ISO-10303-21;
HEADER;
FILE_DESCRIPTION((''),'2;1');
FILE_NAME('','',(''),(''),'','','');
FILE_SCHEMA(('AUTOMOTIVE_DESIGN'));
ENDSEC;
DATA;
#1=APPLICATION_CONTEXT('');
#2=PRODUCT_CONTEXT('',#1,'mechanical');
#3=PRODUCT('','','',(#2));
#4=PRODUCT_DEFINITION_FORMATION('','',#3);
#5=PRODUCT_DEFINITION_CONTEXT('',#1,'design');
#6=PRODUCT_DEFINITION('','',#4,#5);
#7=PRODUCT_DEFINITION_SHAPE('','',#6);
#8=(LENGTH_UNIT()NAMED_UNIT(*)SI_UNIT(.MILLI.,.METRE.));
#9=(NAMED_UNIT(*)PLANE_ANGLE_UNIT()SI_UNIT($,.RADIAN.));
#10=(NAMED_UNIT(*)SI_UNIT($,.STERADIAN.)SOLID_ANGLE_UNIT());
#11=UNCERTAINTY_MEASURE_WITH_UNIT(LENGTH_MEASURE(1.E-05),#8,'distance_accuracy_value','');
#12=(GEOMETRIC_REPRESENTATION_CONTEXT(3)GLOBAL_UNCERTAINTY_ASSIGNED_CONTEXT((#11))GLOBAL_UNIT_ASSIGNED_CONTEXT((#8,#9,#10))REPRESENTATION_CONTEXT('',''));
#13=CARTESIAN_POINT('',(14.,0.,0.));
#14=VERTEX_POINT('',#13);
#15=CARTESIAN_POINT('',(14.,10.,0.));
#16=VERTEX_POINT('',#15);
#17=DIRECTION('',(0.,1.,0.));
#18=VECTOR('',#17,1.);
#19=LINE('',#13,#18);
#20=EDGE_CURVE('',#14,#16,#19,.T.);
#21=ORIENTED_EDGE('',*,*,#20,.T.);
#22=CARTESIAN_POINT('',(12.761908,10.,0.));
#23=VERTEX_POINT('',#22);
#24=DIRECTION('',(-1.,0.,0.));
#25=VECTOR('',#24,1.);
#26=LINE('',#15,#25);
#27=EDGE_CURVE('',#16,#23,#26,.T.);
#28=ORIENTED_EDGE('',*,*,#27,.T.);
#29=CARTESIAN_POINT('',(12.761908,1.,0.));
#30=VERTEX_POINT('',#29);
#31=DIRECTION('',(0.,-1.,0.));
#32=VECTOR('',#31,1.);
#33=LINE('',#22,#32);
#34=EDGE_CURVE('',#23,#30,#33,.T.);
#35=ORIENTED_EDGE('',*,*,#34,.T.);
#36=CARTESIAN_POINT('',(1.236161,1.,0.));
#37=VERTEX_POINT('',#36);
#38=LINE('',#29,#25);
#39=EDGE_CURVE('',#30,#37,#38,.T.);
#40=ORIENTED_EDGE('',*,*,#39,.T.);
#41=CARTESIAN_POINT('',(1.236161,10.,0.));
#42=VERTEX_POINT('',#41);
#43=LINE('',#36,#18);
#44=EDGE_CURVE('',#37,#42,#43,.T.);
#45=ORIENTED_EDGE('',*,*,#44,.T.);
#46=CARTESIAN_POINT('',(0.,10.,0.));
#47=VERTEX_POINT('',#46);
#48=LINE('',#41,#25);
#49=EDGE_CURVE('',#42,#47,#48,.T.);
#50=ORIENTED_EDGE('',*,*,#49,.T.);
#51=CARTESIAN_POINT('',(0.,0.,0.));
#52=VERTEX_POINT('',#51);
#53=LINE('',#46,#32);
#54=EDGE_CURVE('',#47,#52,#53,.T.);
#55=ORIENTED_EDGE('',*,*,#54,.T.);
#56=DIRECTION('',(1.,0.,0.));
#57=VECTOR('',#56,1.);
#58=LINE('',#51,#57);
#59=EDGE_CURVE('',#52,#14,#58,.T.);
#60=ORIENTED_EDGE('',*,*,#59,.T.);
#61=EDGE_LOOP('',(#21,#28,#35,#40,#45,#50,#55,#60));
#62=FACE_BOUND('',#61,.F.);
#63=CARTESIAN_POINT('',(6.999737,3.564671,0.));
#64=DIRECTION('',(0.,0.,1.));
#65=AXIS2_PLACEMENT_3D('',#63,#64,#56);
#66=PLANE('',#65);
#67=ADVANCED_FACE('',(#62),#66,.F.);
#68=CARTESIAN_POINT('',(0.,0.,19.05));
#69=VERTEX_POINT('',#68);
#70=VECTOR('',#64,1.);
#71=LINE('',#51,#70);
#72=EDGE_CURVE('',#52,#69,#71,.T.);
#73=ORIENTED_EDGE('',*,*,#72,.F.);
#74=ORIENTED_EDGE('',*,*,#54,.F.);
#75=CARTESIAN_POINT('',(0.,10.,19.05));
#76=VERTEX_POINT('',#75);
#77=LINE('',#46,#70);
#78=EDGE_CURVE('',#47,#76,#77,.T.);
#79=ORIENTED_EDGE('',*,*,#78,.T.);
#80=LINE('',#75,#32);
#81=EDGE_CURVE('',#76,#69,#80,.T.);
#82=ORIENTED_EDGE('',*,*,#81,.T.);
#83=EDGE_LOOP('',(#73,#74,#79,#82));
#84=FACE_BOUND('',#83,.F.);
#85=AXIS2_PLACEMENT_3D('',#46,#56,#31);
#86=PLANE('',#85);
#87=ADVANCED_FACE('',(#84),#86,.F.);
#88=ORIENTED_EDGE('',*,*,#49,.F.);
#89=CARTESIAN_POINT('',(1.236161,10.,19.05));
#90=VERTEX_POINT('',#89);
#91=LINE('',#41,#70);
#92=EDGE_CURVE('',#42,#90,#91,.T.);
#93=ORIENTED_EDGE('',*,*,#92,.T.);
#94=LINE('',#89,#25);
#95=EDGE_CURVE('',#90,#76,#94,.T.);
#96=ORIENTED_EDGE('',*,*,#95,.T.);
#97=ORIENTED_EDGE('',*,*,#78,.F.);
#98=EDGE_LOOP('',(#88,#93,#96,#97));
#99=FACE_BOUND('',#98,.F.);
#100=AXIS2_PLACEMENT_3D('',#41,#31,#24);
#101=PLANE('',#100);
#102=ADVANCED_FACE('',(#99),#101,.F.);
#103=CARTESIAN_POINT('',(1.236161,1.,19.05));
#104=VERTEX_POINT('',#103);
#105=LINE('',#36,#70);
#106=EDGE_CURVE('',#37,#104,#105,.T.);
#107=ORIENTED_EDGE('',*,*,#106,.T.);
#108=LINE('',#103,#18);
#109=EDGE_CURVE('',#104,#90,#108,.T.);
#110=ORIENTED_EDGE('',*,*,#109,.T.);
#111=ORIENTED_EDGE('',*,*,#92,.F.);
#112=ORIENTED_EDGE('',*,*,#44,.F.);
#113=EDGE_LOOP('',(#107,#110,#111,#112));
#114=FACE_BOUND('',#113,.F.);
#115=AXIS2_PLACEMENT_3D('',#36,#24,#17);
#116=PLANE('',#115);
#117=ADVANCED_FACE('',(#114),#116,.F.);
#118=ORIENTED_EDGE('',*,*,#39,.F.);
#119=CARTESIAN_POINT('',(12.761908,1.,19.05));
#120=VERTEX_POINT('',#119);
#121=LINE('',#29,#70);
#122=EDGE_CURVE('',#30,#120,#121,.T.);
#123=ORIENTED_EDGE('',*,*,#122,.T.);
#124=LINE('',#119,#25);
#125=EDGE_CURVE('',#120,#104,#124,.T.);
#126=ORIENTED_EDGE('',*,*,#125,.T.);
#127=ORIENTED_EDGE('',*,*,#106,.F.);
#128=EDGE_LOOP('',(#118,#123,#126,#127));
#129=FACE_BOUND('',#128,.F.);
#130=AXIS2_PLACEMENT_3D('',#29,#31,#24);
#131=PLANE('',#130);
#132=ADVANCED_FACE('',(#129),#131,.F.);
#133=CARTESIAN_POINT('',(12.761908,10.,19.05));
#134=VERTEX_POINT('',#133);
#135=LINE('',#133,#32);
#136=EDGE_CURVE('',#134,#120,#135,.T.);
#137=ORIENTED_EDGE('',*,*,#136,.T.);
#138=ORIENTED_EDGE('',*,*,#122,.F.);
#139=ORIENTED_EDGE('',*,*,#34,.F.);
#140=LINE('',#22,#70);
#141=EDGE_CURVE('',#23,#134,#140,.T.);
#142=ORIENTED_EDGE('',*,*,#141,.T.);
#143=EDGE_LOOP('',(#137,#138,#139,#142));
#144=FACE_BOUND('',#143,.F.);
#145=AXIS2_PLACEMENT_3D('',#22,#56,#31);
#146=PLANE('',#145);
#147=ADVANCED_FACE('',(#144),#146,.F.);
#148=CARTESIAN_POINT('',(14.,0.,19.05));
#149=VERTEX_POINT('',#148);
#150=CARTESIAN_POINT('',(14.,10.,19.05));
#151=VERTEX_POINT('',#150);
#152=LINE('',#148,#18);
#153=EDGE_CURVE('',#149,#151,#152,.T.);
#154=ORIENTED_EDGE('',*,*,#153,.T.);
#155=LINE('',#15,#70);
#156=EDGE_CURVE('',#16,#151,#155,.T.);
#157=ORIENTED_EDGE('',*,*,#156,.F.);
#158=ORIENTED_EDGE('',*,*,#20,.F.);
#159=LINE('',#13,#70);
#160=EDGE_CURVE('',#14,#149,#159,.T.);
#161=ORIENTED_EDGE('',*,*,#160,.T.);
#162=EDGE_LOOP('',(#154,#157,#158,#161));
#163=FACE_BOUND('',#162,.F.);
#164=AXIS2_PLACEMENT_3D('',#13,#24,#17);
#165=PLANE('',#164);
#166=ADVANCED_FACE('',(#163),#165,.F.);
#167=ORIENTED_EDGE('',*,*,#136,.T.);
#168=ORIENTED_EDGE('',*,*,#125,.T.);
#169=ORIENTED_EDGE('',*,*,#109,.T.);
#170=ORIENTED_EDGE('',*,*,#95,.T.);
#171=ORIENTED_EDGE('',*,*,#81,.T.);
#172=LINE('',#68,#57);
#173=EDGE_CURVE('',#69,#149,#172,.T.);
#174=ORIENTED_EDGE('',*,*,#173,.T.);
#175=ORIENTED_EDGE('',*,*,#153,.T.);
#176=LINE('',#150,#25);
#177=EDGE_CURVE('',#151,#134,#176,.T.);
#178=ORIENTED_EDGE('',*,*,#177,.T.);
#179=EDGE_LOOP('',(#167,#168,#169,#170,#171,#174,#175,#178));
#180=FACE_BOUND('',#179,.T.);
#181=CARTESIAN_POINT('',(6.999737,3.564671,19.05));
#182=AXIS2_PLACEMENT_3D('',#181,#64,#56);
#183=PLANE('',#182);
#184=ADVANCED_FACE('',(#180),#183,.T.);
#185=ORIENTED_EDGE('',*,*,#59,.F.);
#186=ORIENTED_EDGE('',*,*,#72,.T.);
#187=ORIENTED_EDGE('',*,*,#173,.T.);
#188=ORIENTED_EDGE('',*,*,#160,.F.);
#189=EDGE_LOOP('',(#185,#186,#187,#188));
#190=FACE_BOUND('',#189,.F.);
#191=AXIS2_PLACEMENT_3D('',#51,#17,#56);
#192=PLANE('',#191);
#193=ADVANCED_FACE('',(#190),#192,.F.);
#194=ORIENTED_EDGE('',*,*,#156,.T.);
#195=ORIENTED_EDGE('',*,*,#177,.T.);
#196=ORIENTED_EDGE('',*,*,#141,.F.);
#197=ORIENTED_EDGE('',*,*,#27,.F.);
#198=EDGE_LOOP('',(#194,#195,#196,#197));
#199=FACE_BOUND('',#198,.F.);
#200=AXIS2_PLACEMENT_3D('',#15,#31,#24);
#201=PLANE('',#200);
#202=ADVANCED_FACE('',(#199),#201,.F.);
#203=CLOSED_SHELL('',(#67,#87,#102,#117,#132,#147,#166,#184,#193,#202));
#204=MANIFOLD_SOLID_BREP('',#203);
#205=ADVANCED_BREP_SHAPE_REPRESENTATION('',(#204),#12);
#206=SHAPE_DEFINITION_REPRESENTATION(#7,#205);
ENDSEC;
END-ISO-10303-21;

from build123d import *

# Parameters (mm, degrees)
PAD_DEPTH = 19.05


with BuildPart() as part:
    # Sketch → Pad (new body)
    with BuildSketch(Plane.XY):
        Polygon((0, 0), (14, 0), (14, 10), (12.761908, 10), (12.761908, 1), (1.236161, 1), (1.236161, 10), (0, 10), align=None)
    extrude(amount=PAD_DEPTH)


solid = part.part
